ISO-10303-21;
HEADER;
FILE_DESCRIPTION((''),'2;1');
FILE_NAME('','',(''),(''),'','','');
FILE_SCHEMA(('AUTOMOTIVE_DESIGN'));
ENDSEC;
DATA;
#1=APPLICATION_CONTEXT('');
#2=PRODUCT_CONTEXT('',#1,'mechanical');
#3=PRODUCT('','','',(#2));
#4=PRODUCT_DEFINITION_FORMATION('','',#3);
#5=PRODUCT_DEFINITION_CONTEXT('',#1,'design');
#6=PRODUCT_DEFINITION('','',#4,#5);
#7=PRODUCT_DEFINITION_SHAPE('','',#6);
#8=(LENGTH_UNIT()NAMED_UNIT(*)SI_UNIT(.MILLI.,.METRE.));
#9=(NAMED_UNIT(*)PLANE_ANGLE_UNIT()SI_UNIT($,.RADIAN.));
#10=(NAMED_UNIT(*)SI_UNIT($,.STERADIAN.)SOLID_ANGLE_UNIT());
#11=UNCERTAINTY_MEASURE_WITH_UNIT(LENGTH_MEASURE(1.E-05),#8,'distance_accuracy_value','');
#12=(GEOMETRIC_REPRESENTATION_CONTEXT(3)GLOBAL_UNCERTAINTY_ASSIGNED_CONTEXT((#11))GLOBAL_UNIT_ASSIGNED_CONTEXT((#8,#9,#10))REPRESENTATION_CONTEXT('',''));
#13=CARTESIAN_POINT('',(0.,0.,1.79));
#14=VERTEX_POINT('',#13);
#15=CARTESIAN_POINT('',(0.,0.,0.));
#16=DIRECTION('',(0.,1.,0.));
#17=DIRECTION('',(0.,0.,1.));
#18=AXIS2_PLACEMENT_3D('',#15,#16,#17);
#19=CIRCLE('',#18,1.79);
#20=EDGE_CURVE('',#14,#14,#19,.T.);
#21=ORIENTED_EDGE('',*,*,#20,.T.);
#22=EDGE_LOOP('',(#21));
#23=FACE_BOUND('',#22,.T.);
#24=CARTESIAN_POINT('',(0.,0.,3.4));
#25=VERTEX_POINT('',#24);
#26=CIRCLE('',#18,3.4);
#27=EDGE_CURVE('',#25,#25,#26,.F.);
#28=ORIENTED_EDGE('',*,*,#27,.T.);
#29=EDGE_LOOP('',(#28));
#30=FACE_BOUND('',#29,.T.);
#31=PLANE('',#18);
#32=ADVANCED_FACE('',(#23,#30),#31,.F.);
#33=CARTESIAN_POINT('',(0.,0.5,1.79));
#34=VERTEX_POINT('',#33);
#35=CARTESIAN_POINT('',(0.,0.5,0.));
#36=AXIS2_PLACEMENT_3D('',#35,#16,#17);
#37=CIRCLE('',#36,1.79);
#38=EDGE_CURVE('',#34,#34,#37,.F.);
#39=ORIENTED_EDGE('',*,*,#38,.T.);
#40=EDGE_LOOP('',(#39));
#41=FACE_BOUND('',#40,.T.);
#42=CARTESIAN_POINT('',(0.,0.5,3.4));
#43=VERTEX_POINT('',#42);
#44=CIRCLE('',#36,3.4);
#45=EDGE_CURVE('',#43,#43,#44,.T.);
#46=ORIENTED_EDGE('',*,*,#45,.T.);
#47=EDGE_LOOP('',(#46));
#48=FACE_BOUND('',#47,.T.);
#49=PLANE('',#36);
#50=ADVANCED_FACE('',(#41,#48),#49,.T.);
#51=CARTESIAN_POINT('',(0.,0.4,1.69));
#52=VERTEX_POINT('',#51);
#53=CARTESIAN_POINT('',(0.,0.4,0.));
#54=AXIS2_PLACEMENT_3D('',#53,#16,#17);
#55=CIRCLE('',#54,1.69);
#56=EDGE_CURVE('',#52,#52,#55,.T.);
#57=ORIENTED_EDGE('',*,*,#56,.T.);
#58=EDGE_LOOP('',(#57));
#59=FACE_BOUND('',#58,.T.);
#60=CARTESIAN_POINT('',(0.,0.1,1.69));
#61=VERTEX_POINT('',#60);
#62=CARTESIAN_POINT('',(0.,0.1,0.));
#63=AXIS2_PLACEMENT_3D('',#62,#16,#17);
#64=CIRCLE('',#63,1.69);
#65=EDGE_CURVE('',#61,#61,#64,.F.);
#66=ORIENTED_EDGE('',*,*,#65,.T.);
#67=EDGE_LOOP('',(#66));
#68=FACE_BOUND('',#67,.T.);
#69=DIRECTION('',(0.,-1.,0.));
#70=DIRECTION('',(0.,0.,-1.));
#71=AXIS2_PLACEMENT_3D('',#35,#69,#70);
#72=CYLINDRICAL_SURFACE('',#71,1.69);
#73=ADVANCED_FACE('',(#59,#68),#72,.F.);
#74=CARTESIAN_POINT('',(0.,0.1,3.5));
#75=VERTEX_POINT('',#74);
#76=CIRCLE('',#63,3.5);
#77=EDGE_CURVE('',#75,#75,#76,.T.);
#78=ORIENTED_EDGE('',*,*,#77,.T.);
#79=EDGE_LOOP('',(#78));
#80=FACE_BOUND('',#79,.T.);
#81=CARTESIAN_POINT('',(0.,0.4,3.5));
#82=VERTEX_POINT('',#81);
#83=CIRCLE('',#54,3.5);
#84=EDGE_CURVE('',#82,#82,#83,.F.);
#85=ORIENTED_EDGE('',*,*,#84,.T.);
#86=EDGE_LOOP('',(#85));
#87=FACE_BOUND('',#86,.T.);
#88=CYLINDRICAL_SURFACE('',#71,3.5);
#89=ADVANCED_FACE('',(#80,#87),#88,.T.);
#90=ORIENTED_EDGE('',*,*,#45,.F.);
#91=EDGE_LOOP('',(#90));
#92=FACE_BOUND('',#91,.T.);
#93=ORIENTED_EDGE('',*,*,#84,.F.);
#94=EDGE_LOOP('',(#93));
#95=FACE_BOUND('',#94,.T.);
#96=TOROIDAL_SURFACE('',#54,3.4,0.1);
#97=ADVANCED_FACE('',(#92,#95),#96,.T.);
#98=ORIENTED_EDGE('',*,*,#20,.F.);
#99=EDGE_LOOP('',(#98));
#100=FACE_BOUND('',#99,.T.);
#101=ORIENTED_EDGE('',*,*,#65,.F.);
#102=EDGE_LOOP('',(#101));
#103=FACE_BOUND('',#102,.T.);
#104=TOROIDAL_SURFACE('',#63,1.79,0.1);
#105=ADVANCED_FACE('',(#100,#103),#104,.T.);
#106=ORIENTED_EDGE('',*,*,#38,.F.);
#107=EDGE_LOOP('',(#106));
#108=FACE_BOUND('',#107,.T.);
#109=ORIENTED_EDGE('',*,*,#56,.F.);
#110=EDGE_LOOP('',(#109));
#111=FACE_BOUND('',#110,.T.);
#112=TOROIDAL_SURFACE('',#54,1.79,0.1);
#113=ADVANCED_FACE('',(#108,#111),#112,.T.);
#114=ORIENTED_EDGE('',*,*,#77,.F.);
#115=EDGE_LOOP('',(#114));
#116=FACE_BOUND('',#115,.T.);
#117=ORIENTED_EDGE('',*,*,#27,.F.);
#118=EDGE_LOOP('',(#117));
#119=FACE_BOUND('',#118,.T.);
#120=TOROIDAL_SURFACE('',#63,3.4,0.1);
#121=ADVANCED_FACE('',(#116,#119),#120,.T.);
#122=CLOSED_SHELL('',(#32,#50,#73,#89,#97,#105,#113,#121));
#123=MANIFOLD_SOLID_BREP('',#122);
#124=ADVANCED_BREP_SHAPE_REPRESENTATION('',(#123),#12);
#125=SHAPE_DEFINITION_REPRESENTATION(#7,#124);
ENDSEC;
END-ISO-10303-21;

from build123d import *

# Parameters (mm, degrees)
SKETCH_1_R      = 3.5
SKETCH_1_R_2    = 1.69
EXTRUDE_1_DEPTH = 0.5
FILLET_1_R      = 0.1


with BuildPart() as part:
    # 草图1 → 凸台-拉伸1 (new body)
    with BuildSketch(Plane(origin=(0, 0, 0), x_dir=(1, 0, 0), z_dir=(0, 1, 0))):
        with Locations(Location((0, 0, 0), (0, 0, 270))):
            Circle(SKETCH_1_R)
        with Locations(Location((0, 0, 0), (0, 0, 270))):
            Circle(SKETCH_1_R_2, mode=Mode.SUBTRACT)
    extrude(amount=EXTRUDE_1_DEPTH)

    # 圆角1
    fillet_1_edges = [part.edges().sort_by_distance(p)[0] for p in [
        (0, 0, -3.5),
        (0, 0.5, -3.5),
        (0, 0, -1.69),
        (0, 0.5, -1.69),
    ]]
    fillet(fillet_1_edges, radius=FILLET_1_R)


solid = part.part
